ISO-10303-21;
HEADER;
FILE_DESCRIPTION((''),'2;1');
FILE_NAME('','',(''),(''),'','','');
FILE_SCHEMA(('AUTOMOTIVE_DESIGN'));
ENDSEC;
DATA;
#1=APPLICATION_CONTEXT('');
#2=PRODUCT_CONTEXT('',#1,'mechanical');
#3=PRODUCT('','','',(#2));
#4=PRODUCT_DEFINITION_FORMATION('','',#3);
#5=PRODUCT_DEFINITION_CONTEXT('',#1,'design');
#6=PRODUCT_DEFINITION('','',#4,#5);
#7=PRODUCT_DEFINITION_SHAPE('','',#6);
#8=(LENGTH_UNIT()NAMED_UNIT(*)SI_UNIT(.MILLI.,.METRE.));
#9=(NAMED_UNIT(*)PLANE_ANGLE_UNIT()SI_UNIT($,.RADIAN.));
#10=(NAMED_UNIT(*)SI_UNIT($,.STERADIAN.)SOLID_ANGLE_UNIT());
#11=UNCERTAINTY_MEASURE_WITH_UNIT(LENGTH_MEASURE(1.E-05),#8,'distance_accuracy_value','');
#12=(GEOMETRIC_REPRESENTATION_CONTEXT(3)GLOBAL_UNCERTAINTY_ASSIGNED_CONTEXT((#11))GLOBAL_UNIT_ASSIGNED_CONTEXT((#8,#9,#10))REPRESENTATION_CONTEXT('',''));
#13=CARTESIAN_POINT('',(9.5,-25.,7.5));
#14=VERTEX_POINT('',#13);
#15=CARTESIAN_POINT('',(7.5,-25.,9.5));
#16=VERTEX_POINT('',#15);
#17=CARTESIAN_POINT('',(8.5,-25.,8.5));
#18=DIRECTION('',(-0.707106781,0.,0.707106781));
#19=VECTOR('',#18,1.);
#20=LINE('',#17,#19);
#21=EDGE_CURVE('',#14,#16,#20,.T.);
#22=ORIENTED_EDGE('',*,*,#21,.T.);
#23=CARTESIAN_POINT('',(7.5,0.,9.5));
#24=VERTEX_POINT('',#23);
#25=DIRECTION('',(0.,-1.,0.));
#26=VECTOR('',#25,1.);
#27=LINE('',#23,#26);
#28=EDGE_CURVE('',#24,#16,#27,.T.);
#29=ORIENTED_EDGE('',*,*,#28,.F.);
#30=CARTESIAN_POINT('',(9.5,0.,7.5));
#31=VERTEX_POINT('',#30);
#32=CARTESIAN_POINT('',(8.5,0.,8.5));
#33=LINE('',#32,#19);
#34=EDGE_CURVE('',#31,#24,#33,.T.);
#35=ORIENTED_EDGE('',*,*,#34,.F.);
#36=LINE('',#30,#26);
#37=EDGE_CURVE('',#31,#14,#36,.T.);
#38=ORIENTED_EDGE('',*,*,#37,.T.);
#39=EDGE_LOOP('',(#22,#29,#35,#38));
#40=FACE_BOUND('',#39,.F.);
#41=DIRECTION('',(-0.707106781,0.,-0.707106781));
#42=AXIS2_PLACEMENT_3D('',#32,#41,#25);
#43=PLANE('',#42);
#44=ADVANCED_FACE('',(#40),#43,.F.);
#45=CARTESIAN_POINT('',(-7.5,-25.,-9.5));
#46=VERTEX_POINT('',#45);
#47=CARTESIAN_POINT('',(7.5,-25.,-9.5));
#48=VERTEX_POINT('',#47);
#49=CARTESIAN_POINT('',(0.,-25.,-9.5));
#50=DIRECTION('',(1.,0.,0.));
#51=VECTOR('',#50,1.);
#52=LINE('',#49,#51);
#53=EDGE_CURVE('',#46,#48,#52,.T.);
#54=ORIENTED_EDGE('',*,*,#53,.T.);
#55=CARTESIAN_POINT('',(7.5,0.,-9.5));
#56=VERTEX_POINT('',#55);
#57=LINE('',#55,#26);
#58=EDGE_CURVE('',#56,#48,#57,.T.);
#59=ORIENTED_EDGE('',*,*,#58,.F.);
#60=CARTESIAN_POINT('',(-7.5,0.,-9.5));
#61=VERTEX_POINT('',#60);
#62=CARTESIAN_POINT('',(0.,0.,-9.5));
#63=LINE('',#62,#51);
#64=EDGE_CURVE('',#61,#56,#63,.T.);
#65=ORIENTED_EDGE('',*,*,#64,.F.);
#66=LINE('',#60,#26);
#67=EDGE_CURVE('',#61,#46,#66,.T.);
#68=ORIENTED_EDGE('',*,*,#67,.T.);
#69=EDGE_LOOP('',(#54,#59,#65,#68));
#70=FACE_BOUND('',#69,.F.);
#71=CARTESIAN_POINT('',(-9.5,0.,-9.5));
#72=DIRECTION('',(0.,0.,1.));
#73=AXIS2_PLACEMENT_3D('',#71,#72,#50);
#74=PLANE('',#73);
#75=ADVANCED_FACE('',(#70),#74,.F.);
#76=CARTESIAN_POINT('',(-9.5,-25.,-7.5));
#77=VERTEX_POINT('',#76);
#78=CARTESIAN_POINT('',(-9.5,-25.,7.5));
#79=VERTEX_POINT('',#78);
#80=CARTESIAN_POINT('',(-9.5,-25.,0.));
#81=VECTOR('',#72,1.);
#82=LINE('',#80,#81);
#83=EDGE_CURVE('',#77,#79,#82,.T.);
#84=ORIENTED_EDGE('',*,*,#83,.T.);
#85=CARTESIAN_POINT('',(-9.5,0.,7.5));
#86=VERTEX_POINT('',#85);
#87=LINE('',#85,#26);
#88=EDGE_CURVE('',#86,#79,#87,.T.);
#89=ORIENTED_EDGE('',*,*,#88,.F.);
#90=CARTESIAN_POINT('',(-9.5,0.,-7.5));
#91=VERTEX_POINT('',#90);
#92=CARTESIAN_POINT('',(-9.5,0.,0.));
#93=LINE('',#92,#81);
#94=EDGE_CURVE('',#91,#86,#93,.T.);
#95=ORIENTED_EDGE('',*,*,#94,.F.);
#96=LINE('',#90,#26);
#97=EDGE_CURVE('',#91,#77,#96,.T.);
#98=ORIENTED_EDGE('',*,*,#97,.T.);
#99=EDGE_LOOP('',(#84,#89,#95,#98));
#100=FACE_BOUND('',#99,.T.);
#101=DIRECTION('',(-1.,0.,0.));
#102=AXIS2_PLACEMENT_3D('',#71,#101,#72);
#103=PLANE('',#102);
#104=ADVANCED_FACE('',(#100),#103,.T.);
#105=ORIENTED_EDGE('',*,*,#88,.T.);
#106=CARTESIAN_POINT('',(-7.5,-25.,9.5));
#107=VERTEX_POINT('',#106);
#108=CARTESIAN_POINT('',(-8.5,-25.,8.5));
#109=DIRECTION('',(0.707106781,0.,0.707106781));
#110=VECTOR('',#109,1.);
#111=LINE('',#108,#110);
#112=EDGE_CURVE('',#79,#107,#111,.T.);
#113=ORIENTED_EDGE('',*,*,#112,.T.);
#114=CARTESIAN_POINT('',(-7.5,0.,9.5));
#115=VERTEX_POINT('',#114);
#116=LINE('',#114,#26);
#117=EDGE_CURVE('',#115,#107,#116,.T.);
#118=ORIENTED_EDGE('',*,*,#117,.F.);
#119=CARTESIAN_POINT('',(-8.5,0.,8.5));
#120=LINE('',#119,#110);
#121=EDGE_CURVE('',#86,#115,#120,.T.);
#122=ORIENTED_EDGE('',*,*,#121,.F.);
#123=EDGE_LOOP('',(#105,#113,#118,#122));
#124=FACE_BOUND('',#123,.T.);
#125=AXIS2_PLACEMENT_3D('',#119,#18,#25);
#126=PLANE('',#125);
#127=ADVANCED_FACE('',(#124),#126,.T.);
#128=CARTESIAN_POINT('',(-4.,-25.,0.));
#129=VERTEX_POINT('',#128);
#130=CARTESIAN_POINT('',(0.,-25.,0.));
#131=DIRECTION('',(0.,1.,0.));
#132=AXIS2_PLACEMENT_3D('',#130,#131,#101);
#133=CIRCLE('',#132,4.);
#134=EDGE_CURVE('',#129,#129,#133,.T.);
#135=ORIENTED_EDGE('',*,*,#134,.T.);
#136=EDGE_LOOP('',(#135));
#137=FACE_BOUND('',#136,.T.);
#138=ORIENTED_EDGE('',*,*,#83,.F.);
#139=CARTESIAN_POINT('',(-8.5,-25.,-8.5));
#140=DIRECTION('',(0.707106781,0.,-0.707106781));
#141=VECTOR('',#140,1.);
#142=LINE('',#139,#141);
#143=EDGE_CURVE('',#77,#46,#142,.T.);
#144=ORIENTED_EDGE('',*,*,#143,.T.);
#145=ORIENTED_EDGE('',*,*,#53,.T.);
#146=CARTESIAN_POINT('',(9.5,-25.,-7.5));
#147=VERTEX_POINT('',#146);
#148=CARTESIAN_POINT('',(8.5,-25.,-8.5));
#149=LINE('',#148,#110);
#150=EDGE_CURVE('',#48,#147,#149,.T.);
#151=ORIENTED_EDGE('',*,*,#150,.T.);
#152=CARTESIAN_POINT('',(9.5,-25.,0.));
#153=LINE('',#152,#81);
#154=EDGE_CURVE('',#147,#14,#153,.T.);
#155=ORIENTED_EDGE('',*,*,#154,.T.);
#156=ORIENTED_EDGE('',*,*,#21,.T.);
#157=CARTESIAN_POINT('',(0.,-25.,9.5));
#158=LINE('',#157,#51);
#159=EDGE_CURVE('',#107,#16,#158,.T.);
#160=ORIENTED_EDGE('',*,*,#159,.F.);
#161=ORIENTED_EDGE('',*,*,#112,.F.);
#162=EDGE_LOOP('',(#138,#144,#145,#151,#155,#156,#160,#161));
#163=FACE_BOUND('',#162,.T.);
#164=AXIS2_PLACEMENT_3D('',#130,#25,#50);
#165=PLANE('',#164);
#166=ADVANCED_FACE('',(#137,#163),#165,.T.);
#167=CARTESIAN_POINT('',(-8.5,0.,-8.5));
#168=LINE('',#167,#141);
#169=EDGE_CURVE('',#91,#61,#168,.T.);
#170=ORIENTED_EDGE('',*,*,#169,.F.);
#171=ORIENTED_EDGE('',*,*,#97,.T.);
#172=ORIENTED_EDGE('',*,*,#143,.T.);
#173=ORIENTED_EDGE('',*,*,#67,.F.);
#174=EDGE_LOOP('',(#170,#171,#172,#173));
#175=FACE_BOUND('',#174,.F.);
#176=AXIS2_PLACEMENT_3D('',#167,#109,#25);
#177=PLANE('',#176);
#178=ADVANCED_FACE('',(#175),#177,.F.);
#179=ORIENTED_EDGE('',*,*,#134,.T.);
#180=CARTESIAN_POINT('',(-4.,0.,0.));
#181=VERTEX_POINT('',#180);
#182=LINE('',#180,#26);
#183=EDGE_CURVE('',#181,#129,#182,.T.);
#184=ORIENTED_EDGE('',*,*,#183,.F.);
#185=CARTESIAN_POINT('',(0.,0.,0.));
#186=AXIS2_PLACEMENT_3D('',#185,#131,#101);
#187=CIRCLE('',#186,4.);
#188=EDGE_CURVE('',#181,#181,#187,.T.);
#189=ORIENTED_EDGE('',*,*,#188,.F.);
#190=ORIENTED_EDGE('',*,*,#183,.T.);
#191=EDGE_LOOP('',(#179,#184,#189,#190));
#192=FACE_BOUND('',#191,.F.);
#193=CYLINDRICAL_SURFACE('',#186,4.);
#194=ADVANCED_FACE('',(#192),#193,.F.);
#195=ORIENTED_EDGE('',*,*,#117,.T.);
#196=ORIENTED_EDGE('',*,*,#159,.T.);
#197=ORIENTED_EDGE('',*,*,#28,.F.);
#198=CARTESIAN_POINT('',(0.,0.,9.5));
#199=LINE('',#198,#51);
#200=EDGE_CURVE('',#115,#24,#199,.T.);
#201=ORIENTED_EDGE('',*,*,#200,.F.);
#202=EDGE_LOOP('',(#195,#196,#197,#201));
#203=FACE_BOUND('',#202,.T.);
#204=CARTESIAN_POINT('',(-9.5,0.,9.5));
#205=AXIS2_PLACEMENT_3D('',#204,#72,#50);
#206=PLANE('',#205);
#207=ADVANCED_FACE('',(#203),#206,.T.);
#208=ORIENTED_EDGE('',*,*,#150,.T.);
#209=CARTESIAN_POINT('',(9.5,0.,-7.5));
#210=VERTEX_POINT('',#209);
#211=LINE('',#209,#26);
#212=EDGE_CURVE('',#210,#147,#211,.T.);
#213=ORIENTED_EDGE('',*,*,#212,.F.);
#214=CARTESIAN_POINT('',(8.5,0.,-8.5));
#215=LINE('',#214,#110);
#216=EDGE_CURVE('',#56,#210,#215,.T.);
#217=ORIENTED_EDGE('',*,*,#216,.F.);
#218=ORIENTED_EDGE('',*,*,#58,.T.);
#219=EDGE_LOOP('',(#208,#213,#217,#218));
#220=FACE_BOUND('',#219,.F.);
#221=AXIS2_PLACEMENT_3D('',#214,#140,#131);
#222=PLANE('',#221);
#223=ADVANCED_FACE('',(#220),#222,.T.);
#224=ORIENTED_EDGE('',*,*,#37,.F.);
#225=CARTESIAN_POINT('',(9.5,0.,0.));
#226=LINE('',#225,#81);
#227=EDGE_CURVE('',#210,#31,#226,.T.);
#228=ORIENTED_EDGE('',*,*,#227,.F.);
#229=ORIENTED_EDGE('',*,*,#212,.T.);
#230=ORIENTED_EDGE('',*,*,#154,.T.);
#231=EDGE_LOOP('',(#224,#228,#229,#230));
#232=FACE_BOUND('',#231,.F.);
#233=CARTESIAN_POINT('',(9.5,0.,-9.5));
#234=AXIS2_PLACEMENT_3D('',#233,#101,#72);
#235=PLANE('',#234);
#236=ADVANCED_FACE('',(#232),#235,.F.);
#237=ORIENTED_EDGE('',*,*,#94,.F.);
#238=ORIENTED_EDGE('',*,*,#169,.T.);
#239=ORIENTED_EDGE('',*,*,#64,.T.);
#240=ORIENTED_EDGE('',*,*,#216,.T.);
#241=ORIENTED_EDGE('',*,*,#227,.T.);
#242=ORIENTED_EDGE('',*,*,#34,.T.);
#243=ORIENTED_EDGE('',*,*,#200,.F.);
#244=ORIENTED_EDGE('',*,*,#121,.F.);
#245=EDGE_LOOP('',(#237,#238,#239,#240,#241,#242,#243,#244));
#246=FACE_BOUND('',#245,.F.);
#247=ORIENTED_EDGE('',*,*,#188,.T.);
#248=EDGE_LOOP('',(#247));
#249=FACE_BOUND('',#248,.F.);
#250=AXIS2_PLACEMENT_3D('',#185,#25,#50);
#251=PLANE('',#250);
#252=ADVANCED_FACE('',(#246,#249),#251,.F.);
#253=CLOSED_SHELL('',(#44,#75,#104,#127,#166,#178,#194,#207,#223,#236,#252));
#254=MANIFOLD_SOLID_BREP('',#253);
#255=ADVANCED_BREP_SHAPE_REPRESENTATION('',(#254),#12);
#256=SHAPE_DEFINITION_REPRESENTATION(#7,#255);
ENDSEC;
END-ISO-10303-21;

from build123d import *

# Parameters (mm, degrees)
F0_W     = 19
F0_H     = 19
F1_DEPTH = 25
F3_SIZE  = 2
F4_SIZE  = 2
F5_SIZE  = 2
F2_R     = 4
F6_DEPTH = 25


with BuildPart() as f1:
    # F0 (on Front) → F1 (new body)
    with BuildSketch(Plane.XZ):
        Rectangle(F0_W, F0_H)
    extrude(amount=F1_DEPTH)

    # F3
    f3_edges = [f1.edges().sort_by_distance(p)[0] for p in [
        (9.5, -12.5, -9.5),
        (9.5, -12.5, 9.5),
    ]]
    chamfer(f3_edges, length=F3_SIZE)

    # F4
    f4_edges = [f1.edges().sort_by_distance(p)[0] for p in [
        (-9.5, -12.5, 9.5),
    ]]
    chamfer(f4_edges, length=F4_SIZE)

    # F5
    f5_edges = [f1.edges().sort_by_distance(p)[0] for p in [
        (-9.5, -12.5, -9.5),
    ]]
    chamfer(f5_edges, length=F5_SIZE)

    # F2 (on face) → F6 (cut)
    with BuildSketch(Plane(origin=(0, 0, 0), x_dir=(-1, 0, 0), z_dir=(0, 1, 0))):
        Circle(F2_R)
    extrude(amount=-F6_DEPTH, mode=Mode.SUBTRACT)


solid = f1.part
